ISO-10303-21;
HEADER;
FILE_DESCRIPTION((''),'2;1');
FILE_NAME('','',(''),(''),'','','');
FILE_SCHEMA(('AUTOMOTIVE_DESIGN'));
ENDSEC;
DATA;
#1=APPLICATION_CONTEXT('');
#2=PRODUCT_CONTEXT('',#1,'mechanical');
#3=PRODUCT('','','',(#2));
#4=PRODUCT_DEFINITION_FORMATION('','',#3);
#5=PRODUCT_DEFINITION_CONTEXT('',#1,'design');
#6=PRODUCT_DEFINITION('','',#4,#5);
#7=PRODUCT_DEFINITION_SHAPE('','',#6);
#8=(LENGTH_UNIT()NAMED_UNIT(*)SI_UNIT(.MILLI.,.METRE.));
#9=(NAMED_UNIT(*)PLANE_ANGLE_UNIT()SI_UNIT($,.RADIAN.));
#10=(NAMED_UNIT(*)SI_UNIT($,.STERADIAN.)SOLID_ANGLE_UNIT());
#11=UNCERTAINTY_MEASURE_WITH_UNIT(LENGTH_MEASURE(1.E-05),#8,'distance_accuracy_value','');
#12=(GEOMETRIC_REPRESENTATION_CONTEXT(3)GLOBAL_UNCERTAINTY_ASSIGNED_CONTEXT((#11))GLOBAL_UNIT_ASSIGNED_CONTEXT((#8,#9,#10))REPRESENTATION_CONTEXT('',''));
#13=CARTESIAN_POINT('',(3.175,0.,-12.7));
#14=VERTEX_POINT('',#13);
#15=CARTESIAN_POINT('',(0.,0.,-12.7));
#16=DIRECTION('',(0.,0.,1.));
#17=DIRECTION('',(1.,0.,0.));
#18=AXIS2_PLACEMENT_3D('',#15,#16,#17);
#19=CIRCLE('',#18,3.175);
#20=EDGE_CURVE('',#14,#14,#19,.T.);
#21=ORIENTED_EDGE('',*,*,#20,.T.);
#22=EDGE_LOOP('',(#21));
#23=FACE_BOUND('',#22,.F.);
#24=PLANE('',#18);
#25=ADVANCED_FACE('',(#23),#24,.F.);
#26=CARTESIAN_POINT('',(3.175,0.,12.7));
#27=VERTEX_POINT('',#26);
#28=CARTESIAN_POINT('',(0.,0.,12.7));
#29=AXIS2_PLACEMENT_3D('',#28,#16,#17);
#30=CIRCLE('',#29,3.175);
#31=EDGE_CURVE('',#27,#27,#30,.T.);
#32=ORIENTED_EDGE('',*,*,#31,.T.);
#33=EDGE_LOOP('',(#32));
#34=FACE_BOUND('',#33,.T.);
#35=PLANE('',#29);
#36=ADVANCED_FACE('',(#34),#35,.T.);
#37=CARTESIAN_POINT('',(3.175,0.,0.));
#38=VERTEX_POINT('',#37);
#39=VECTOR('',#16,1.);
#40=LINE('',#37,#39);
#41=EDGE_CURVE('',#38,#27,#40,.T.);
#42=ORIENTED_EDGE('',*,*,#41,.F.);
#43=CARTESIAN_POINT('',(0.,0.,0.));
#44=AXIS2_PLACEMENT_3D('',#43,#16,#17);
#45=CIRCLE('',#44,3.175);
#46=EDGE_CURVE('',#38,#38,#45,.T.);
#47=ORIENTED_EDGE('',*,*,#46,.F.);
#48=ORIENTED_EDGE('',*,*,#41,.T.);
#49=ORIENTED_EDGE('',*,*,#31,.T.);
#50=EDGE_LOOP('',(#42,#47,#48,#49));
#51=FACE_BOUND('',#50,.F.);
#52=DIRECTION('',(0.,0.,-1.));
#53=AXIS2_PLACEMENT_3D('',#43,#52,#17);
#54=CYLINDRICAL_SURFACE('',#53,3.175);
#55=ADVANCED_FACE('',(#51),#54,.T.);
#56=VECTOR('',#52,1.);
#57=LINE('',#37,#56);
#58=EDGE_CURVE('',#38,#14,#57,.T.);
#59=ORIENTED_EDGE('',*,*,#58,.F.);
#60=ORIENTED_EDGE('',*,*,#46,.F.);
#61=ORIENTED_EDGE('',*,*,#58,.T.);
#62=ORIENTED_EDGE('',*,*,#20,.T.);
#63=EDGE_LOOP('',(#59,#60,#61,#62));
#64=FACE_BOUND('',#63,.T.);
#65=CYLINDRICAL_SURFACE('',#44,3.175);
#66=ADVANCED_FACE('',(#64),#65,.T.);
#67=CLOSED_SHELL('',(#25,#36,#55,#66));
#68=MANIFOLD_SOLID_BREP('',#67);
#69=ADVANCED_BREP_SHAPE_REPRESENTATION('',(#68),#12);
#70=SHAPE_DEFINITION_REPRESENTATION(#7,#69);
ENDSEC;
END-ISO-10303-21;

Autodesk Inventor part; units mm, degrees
ref_plane "YZ Plane" through (0, 0, 0) normal (1, 0, 0) x (0, 1, 0)
ref_plane "XZ Plane" through (0, 0, 0) normal (0, 1, 0) x (-1, 0, 0)
ref_plane "XY Plane" through (0, 0, 0) normal (0, 0, 1) x (1, 0, 0)
sketch "Sketch1" plane through (0, 0, 0) normal (0, 0, 1) x (1, 0, 0)
  circle A0 centre (0, 0) radius 3.175
  dimension "d0" = 6.35
extrude "Extrusion1" add sketch "Sketch1" along normal mid plane 25.4
properties part number "CW_PIVOT_TREBUCHET" material "Wood (Birch)"
